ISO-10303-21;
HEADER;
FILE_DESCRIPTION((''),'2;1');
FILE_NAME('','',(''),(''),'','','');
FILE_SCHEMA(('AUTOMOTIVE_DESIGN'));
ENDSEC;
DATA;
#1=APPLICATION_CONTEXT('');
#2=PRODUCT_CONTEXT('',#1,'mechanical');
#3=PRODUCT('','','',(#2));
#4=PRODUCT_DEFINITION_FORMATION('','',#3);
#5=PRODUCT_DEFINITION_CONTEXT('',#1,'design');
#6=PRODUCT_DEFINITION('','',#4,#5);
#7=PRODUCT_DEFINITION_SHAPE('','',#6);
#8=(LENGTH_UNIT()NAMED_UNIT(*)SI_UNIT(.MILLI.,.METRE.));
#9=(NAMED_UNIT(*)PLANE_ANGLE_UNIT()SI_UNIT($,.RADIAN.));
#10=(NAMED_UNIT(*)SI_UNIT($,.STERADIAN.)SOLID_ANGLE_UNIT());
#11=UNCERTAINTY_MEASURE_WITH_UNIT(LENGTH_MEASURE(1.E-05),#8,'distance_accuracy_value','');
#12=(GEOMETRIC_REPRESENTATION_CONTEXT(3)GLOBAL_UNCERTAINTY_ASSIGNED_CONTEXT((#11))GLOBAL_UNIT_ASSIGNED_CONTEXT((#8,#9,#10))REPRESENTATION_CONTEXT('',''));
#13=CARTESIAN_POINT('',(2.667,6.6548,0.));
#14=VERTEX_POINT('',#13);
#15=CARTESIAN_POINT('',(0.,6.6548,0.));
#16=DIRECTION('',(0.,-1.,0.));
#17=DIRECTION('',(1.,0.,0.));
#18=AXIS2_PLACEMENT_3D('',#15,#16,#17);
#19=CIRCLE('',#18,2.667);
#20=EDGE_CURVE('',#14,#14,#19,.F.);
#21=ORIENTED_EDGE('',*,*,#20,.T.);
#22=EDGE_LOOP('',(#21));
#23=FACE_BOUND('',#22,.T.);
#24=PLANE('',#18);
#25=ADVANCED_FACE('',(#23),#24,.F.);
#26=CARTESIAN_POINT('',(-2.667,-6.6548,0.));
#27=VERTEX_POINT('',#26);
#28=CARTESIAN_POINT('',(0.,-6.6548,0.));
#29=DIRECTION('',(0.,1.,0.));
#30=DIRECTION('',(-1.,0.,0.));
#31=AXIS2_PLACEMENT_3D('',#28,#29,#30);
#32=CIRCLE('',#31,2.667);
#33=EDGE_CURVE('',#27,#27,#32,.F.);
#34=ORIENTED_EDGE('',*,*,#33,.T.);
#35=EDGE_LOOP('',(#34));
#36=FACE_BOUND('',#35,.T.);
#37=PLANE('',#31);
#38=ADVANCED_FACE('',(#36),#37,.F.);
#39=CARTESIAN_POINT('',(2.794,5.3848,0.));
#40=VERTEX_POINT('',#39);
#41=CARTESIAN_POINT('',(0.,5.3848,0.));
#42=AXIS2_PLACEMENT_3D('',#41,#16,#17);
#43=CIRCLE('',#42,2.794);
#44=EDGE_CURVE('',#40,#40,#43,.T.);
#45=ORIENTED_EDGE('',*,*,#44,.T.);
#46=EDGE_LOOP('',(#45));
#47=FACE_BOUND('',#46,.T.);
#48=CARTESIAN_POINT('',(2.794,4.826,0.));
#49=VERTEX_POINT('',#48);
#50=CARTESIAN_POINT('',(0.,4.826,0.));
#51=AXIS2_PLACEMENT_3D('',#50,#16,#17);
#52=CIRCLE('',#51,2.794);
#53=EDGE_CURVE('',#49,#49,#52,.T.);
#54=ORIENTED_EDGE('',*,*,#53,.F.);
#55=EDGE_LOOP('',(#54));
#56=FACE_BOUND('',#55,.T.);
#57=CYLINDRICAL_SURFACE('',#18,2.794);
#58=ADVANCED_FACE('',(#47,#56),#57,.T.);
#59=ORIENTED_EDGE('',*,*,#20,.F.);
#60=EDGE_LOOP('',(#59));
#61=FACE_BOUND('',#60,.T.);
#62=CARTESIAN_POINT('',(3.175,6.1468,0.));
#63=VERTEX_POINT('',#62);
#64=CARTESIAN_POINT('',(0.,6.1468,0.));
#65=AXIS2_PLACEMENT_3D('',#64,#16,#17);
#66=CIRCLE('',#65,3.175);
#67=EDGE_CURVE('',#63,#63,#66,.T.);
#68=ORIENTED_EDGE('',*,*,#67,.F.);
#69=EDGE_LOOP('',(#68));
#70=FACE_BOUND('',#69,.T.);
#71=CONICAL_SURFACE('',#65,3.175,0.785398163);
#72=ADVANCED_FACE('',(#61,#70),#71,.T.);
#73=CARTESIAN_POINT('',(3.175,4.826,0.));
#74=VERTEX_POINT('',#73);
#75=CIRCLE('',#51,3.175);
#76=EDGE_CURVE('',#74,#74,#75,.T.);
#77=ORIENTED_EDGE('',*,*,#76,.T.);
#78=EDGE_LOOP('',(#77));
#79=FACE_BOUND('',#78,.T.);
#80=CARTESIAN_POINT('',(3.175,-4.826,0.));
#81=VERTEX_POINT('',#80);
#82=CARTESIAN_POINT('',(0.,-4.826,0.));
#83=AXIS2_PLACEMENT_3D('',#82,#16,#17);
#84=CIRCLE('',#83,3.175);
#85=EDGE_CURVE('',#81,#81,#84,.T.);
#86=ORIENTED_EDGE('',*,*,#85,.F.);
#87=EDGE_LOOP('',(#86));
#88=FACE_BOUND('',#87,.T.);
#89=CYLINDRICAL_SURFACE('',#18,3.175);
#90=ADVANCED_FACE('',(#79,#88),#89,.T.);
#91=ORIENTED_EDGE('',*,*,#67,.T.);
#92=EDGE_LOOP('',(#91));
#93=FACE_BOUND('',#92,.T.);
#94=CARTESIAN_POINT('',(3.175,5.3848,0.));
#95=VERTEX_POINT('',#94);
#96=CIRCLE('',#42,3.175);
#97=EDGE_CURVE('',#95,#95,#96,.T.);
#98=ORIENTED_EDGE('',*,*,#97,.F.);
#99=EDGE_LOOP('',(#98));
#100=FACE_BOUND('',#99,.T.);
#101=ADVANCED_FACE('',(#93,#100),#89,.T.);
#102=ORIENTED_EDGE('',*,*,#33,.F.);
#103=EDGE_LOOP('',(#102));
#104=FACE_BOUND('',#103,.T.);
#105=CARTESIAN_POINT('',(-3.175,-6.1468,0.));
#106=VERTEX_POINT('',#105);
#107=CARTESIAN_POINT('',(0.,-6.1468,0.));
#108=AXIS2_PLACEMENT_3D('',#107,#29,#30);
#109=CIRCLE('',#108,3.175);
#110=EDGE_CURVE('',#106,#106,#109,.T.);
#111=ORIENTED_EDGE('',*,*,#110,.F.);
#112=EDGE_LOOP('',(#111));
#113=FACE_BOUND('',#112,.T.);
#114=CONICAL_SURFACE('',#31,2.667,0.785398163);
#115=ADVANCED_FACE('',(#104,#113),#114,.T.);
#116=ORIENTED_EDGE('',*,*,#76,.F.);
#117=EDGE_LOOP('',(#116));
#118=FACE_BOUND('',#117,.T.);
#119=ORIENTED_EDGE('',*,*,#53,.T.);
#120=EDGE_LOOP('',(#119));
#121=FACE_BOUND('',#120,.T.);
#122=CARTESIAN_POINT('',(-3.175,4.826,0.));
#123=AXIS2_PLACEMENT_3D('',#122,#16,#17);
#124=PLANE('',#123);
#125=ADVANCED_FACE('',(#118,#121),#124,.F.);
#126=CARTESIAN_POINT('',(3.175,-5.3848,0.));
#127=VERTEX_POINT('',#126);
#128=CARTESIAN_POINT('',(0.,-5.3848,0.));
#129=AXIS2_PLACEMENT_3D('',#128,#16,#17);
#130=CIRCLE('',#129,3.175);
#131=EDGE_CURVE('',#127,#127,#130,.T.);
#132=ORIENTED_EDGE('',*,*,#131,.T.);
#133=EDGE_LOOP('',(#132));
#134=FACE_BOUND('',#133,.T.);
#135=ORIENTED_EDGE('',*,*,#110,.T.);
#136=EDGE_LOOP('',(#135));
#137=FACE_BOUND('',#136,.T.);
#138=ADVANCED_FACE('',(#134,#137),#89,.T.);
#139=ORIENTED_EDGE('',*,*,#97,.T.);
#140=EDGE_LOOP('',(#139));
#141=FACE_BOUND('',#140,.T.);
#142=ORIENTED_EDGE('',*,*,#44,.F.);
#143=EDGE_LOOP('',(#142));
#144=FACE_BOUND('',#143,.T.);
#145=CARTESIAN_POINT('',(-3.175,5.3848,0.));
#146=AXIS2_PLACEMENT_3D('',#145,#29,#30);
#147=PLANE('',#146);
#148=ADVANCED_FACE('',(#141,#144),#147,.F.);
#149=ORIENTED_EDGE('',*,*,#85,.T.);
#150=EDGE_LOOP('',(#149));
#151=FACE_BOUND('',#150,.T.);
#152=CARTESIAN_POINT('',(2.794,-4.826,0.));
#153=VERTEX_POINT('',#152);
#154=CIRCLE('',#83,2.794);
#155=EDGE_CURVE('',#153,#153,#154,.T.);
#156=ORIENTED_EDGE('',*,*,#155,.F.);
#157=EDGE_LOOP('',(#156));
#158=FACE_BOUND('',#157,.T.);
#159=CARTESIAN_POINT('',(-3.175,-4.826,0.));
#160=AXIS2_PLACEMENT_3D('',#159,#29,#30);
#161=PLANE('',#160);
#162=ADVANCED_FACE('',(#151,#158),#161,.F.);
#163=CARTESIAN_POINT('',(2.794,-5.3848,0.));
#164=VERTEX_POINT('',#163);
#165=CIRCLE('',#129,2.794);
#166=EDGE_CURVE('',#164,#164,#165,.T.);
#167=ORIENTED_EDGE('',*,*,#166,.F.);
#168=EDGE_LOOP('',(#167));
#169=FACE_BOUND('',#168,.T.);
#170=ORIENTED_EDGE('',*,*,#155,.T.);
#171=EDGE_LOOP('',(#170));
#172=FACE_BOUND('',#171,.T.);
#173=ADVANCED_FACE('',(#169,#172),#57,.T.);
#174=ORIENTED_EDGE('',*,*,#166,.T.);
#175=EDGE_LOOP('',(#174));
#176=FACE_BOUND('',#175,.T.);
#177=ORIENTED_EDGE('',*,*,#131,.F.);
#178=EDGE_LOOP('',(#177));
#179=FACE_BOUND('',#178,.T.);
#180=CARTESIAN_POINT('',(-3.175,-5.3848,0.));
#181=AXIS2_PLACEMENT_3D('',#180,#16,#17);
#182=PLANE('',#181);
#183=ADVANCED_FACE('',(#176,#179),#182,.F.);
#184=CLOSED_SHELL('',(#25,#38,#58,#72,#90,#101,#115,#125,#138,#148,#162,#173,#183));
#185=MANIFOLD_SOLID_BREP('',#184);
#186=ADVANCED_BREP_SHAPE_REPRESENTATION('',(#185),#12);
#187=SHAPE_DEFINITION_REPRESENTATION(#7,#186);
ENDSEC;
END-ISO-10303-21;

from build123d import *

# Parameters (mm, degrees)
CHAMFER1_SIZE = 0.508


with BuildPart() as part:
    # Sketch1 → Revolve1 (revolve)
    with BuildSketch(Plane.XY):
        Polygon((-3.175, 4.826), (-3.175, -4.826), (-2.794, -4.826), (-2.794, -5.3848), (-3.175, -5.3848), (-3.175, -6.6548), (0, -6.6548), (0, 6.6548), (-3.175, 6.6548), (-3.175, 5.3848), (-2.794, 5.3848), (-2.794, 4.826), align=None)
    revolve(axis=Axis((0, 6.6548, 0), (0, 1, 0)))

    # Chamfer1
    chamfer1_edges = [part.edges().sort_by_distance(p)[0] for p in [
        (3.175, -6.6548, 0),
        (3.175, 6.6548, 0),
    ]]
    chamfer(chamfer1_edges, length=CHAMFER1_SIZE)


solid = part.part
